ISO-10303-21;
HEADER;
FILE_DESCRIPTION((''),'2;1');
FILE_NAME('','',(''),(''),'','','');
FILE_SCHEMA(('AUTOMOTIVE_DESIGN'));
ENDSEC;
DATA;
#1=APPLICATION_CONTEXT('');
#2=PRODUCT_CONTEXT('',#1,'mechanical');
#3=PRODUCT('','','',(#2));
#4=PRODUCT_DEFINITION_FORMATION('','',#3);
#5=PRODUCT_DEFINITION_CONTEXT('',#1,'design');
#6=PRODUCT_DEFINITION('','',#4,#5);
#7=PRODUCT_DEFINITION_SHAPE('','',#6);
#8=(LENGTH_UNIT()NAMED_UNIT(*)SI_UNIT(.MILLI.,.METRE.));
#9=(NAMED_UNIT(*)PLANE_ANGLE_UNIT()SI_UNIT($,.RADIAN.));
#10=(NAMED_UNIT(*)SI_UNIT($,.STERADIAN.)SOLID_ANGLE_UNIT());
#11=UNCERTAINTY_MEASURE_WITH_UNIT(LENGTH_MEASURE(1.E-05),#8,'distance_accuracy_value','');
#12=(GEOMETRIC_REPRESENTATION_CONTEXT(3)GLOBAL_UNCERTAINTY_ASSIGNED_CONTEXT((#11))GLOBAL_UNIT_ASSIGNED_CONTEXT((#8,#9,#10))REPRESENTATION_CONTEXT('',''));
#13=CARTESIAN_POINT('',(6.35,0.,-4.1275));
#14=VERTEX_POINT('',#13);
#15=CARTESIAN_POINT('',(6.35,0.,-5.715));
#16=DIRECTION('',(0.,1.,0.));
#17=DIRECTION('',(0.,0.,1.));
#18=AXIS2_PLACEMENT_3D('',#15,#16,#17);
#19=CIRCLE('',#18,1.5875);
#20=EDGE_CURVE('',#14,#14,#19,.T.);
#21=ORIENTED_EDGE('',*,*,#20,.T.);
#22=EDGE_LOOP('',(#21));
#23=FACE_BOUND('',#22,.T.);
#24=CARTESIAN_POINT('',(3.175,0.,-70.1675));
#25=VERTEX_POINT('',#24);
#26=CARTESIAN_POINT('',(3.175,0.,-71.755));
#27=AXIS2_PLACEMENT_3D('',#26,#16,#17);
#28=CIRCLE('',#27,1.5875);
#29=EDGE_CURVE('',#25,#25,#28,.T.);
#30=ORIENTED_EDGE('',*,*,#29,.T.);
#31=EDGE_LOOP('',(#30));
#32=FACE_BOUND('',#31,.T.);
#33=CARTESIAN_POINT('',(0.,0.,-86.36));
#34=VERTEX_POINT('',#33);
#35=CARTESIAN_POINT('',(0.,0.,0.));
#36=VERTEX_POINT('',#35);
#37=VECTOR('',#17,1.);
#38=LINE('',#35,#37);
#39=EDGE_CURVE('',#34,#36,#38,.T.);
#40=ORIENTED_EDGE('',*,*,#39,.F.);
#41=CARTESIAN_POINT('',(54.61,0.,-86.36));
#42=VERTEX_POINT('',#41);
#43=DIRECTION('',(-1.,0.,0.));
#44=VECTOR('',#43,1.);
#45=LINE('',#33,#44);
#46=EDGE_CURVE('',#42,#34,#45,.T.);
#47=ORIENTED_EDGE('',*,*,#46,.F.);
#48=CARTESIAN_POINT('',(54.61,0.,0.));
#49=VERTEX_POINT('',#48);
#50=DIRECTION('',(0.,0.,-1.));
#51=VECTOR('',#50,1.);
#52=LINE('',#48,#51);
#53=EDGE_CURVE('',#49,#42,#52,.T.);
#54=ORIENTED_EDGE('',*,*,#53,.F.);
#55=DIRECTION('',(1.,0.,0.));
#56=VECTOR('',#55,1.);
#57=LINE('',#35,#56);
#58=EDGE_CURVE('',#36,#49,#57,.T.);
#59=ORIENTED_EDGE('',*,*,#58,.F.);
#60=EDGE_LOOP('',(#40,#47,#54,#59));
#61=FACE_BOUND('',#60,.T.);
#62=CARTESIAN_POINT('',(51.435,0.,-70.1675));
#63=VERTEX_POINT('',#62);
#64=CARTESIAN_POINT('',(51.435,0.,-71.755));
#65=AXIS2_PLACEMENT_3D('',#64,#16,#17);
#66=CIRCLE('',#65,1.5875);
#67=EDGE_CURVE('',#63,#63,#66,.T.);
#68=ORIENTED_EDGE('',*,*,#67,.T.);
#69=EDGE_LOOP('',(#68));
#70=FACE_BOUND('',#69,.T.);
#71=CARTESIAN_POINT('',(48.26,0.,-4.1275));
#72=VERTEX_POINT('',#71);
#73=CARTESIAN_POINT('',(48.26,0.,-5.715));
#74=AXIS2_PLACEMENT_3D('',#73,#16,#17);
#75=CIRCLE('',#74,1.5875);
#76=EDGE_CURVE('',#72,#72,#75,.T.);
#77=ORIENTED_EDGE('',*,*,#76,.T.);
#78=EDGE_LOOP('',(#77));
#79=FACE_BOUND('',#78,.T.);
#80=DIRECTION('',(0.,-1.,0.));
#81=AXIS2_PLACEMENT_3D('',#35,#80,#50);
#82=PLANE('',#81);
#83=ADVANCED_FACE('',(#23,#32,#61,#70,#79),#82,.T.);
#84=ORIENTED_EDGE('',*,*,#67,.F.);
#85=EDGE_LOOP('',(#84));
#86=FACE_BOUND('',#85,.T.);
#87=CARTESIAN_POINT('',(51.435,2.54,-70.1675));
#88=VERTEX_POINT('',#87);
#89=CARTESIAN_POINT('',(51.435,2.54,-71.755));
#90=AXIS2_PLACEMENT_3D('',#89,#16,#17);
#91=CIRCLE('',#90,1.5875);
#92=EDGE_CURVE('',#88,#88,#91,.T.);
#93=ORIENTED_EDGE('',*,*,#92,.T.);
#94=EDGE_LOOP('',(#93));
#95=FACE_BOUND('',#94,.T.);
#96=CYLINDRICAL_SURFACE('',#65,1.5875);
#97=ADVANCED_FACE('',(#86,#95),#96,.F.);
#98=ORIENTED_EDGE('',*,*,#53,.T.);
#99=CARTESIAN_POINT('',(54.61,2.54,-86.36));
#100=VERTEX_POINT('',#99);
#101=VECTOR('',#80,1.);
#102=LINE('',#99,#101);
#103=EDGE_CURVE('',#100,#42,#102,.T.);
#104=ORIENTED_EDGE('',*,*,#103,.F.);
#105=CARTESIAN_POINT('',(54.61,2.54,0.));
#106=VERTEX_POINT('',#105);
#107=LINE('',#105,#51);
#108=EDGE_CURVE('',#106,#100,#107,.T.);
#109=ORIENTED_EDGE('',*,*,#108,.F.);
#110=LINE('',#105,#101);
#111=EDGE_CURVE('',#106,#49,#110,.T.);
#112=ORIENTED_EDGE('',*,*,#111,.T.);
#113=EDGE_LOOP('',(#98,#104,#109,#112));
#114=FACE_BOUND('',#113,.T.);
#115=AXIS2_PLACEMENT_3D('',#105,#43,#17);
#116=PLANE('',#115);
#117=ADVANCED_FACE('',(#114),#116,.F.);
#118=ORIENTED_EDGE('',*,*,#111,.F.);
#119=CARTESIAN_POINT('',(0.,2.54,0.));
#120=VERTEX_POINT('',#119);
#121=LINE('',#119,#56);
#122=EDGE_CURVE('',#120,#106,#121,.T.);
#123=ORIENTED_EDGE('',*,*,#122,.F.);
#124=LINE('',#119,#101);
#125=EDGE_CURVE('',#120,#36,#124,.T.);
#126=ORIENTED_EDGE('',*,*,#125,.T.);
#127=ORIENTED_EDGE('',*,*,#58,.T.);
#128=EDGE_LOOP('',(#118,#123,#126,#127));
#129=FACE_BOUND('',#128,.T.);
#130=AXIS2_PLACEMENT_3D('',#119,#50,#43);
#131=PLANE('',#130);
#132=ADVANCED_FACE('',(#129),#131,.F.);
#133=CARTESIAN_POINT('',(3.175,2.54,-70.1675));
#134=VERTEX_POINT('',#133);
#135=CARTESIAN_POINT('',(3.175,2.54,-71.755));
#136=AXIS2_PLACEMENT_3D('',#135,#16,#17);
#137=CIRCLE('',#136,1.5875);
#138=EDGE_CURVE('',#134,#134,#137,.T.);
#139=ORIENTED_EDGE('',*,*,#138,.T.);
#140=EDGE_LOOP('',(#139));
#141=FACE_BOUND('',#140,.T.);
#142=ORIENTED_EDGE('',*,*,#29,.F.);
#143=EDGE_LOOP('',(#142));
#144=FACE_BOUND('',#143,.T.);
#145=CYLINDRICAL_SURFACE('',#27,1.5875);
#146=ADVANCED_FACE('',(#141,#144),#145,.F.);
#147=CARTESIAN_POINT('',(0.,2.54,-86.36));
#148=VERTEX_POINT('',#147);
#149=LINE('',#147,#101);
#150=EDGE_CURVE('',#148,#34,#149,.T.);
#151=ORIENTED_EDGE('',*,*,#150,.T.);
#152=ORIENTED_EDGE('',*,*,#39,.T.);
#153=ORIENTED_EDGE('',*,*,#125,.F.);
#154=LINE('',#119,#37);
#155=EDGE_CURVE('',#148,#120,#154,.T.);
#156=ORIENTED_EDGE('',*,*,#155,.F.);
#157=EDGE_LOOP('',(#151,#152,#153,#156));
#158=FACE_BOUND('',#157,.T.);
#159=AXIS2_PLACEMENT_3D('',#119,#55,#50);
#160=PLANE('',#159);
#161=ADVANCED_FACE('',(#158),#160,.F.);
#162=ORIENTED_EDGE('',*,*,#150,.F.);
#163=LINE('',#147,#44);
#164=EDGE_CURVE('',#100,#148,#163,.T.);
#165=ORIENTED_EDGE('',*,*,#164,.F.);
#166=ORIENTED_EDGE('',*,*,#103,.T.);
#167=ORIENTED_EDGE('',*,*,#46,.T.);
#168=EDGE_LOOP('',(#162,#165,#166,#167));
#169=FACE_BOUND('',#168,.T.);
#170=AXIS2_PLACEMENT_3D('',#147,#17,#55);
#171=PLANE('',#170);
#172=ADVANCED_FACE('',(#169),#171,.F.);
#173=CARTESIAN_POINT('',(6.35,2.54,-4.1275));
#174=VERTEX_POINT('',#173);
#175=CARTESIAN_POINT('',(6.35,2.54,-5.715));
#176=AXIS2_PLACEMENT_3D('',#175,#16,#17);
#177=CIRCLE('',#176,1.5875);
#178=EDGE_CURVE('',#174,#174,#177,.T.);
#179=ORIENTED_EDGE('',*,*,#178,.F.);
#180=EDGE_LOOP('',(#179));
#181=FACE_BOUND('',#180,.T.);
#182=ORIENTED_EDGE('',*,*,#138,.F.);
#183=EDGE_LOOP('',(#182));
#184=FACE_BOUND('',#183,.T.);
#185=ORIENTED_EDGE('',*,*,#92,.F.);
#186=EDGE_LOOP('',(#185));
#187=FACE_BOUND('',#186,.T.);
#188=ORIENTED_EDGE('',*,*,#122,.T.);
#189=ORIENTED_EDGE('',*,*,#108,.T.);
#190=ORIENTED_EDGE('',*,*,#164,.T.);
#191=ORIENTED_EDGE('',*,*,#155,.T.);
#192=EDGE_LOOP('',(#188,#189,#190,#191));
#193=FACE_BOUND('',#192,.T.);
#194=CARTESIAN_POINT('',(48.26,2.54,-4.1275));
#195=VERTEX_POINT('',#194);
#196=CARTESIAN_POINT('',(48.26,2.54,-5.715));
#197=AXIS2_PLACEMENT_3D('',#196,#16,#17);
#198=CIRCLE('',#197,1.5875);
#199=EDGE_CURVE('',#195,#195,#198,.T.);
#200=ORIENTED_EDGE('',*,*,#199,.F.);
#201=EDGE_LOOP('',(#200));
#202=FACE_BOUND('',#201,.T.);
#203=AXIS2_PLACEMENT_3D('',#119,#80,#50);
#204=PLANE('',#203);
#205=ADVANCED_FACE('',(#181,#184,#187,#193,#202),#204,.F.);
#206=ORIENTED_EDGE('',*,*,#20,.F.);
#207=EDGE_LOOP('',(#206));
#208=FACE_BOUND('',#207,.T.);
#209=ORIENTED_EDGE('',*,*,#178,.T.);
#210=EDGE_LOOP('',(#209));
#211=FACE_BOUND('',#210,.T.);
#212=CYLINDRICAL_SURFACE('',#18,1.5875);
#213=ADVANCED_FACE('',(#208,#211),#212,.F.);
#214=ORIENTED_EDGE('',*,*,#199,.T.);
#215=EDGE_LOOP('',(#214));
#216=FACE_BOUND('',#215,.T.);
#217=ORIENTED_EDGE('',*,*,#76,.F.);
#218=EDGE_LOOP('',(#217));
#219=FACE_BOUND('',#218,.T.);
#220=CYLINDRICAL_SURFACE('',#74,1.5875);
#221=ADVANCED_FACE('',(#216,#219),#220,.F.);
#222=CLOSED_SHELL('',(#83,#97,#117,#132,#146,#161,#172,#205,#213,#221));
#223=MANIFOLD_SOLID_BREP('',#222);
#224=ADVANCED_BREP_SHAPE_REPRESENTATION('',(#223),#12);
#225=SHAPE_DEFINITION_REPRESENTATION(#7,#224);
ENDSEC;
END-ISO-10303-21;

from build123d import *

# Parameters (mm, degrees)
SKETCH1_W           = 54.61
SKETCH1_H           = 86.36
BOSS_EXTRUDE1_DEPTH = 2.54
SKETCH2_R           = 1.5875
CUT_EXTRUDE1_DEPTH  = 3.54


with BuildPart() as part:
    # Sketch1 → Boss-Extrude1 (new body)
    with BuildSketch(Plane(origin=(0, 0, 0), x_dir=(1, 0, 0), z_dir=(0, 1, 0))):
        with Locations((27.305, 43.18)):
            Rectangle(SKETCH1_W, SKETCH1_H)
    extrude(amount=BOSS_EXTRUDE1_DEPTH)

    # Sketch2 → Cut-Extrude1 (cut, through all)
    with BuildSketch(Plane(origin=(0, 2.54, 0), x_dir=(1, 0, 0), z_dir=(0, 1, 0))):
        with Locations((3.175, 71.755)):
            Circle(SKETCH2_R)
        with Locations((51.435, 71.755)):
            Circle(SKETCH2_R)
        with Locations((6.35, 5.715)):
            Circle(SKETCH2_R)
        with Locations((48.26, 5.715)):
            Circle(SKETCH2_R)
    extrude(amount=-CUT_EXTRUDE1_DEPTH, mode=Mode.SUBTRACT)


solid = part.part
